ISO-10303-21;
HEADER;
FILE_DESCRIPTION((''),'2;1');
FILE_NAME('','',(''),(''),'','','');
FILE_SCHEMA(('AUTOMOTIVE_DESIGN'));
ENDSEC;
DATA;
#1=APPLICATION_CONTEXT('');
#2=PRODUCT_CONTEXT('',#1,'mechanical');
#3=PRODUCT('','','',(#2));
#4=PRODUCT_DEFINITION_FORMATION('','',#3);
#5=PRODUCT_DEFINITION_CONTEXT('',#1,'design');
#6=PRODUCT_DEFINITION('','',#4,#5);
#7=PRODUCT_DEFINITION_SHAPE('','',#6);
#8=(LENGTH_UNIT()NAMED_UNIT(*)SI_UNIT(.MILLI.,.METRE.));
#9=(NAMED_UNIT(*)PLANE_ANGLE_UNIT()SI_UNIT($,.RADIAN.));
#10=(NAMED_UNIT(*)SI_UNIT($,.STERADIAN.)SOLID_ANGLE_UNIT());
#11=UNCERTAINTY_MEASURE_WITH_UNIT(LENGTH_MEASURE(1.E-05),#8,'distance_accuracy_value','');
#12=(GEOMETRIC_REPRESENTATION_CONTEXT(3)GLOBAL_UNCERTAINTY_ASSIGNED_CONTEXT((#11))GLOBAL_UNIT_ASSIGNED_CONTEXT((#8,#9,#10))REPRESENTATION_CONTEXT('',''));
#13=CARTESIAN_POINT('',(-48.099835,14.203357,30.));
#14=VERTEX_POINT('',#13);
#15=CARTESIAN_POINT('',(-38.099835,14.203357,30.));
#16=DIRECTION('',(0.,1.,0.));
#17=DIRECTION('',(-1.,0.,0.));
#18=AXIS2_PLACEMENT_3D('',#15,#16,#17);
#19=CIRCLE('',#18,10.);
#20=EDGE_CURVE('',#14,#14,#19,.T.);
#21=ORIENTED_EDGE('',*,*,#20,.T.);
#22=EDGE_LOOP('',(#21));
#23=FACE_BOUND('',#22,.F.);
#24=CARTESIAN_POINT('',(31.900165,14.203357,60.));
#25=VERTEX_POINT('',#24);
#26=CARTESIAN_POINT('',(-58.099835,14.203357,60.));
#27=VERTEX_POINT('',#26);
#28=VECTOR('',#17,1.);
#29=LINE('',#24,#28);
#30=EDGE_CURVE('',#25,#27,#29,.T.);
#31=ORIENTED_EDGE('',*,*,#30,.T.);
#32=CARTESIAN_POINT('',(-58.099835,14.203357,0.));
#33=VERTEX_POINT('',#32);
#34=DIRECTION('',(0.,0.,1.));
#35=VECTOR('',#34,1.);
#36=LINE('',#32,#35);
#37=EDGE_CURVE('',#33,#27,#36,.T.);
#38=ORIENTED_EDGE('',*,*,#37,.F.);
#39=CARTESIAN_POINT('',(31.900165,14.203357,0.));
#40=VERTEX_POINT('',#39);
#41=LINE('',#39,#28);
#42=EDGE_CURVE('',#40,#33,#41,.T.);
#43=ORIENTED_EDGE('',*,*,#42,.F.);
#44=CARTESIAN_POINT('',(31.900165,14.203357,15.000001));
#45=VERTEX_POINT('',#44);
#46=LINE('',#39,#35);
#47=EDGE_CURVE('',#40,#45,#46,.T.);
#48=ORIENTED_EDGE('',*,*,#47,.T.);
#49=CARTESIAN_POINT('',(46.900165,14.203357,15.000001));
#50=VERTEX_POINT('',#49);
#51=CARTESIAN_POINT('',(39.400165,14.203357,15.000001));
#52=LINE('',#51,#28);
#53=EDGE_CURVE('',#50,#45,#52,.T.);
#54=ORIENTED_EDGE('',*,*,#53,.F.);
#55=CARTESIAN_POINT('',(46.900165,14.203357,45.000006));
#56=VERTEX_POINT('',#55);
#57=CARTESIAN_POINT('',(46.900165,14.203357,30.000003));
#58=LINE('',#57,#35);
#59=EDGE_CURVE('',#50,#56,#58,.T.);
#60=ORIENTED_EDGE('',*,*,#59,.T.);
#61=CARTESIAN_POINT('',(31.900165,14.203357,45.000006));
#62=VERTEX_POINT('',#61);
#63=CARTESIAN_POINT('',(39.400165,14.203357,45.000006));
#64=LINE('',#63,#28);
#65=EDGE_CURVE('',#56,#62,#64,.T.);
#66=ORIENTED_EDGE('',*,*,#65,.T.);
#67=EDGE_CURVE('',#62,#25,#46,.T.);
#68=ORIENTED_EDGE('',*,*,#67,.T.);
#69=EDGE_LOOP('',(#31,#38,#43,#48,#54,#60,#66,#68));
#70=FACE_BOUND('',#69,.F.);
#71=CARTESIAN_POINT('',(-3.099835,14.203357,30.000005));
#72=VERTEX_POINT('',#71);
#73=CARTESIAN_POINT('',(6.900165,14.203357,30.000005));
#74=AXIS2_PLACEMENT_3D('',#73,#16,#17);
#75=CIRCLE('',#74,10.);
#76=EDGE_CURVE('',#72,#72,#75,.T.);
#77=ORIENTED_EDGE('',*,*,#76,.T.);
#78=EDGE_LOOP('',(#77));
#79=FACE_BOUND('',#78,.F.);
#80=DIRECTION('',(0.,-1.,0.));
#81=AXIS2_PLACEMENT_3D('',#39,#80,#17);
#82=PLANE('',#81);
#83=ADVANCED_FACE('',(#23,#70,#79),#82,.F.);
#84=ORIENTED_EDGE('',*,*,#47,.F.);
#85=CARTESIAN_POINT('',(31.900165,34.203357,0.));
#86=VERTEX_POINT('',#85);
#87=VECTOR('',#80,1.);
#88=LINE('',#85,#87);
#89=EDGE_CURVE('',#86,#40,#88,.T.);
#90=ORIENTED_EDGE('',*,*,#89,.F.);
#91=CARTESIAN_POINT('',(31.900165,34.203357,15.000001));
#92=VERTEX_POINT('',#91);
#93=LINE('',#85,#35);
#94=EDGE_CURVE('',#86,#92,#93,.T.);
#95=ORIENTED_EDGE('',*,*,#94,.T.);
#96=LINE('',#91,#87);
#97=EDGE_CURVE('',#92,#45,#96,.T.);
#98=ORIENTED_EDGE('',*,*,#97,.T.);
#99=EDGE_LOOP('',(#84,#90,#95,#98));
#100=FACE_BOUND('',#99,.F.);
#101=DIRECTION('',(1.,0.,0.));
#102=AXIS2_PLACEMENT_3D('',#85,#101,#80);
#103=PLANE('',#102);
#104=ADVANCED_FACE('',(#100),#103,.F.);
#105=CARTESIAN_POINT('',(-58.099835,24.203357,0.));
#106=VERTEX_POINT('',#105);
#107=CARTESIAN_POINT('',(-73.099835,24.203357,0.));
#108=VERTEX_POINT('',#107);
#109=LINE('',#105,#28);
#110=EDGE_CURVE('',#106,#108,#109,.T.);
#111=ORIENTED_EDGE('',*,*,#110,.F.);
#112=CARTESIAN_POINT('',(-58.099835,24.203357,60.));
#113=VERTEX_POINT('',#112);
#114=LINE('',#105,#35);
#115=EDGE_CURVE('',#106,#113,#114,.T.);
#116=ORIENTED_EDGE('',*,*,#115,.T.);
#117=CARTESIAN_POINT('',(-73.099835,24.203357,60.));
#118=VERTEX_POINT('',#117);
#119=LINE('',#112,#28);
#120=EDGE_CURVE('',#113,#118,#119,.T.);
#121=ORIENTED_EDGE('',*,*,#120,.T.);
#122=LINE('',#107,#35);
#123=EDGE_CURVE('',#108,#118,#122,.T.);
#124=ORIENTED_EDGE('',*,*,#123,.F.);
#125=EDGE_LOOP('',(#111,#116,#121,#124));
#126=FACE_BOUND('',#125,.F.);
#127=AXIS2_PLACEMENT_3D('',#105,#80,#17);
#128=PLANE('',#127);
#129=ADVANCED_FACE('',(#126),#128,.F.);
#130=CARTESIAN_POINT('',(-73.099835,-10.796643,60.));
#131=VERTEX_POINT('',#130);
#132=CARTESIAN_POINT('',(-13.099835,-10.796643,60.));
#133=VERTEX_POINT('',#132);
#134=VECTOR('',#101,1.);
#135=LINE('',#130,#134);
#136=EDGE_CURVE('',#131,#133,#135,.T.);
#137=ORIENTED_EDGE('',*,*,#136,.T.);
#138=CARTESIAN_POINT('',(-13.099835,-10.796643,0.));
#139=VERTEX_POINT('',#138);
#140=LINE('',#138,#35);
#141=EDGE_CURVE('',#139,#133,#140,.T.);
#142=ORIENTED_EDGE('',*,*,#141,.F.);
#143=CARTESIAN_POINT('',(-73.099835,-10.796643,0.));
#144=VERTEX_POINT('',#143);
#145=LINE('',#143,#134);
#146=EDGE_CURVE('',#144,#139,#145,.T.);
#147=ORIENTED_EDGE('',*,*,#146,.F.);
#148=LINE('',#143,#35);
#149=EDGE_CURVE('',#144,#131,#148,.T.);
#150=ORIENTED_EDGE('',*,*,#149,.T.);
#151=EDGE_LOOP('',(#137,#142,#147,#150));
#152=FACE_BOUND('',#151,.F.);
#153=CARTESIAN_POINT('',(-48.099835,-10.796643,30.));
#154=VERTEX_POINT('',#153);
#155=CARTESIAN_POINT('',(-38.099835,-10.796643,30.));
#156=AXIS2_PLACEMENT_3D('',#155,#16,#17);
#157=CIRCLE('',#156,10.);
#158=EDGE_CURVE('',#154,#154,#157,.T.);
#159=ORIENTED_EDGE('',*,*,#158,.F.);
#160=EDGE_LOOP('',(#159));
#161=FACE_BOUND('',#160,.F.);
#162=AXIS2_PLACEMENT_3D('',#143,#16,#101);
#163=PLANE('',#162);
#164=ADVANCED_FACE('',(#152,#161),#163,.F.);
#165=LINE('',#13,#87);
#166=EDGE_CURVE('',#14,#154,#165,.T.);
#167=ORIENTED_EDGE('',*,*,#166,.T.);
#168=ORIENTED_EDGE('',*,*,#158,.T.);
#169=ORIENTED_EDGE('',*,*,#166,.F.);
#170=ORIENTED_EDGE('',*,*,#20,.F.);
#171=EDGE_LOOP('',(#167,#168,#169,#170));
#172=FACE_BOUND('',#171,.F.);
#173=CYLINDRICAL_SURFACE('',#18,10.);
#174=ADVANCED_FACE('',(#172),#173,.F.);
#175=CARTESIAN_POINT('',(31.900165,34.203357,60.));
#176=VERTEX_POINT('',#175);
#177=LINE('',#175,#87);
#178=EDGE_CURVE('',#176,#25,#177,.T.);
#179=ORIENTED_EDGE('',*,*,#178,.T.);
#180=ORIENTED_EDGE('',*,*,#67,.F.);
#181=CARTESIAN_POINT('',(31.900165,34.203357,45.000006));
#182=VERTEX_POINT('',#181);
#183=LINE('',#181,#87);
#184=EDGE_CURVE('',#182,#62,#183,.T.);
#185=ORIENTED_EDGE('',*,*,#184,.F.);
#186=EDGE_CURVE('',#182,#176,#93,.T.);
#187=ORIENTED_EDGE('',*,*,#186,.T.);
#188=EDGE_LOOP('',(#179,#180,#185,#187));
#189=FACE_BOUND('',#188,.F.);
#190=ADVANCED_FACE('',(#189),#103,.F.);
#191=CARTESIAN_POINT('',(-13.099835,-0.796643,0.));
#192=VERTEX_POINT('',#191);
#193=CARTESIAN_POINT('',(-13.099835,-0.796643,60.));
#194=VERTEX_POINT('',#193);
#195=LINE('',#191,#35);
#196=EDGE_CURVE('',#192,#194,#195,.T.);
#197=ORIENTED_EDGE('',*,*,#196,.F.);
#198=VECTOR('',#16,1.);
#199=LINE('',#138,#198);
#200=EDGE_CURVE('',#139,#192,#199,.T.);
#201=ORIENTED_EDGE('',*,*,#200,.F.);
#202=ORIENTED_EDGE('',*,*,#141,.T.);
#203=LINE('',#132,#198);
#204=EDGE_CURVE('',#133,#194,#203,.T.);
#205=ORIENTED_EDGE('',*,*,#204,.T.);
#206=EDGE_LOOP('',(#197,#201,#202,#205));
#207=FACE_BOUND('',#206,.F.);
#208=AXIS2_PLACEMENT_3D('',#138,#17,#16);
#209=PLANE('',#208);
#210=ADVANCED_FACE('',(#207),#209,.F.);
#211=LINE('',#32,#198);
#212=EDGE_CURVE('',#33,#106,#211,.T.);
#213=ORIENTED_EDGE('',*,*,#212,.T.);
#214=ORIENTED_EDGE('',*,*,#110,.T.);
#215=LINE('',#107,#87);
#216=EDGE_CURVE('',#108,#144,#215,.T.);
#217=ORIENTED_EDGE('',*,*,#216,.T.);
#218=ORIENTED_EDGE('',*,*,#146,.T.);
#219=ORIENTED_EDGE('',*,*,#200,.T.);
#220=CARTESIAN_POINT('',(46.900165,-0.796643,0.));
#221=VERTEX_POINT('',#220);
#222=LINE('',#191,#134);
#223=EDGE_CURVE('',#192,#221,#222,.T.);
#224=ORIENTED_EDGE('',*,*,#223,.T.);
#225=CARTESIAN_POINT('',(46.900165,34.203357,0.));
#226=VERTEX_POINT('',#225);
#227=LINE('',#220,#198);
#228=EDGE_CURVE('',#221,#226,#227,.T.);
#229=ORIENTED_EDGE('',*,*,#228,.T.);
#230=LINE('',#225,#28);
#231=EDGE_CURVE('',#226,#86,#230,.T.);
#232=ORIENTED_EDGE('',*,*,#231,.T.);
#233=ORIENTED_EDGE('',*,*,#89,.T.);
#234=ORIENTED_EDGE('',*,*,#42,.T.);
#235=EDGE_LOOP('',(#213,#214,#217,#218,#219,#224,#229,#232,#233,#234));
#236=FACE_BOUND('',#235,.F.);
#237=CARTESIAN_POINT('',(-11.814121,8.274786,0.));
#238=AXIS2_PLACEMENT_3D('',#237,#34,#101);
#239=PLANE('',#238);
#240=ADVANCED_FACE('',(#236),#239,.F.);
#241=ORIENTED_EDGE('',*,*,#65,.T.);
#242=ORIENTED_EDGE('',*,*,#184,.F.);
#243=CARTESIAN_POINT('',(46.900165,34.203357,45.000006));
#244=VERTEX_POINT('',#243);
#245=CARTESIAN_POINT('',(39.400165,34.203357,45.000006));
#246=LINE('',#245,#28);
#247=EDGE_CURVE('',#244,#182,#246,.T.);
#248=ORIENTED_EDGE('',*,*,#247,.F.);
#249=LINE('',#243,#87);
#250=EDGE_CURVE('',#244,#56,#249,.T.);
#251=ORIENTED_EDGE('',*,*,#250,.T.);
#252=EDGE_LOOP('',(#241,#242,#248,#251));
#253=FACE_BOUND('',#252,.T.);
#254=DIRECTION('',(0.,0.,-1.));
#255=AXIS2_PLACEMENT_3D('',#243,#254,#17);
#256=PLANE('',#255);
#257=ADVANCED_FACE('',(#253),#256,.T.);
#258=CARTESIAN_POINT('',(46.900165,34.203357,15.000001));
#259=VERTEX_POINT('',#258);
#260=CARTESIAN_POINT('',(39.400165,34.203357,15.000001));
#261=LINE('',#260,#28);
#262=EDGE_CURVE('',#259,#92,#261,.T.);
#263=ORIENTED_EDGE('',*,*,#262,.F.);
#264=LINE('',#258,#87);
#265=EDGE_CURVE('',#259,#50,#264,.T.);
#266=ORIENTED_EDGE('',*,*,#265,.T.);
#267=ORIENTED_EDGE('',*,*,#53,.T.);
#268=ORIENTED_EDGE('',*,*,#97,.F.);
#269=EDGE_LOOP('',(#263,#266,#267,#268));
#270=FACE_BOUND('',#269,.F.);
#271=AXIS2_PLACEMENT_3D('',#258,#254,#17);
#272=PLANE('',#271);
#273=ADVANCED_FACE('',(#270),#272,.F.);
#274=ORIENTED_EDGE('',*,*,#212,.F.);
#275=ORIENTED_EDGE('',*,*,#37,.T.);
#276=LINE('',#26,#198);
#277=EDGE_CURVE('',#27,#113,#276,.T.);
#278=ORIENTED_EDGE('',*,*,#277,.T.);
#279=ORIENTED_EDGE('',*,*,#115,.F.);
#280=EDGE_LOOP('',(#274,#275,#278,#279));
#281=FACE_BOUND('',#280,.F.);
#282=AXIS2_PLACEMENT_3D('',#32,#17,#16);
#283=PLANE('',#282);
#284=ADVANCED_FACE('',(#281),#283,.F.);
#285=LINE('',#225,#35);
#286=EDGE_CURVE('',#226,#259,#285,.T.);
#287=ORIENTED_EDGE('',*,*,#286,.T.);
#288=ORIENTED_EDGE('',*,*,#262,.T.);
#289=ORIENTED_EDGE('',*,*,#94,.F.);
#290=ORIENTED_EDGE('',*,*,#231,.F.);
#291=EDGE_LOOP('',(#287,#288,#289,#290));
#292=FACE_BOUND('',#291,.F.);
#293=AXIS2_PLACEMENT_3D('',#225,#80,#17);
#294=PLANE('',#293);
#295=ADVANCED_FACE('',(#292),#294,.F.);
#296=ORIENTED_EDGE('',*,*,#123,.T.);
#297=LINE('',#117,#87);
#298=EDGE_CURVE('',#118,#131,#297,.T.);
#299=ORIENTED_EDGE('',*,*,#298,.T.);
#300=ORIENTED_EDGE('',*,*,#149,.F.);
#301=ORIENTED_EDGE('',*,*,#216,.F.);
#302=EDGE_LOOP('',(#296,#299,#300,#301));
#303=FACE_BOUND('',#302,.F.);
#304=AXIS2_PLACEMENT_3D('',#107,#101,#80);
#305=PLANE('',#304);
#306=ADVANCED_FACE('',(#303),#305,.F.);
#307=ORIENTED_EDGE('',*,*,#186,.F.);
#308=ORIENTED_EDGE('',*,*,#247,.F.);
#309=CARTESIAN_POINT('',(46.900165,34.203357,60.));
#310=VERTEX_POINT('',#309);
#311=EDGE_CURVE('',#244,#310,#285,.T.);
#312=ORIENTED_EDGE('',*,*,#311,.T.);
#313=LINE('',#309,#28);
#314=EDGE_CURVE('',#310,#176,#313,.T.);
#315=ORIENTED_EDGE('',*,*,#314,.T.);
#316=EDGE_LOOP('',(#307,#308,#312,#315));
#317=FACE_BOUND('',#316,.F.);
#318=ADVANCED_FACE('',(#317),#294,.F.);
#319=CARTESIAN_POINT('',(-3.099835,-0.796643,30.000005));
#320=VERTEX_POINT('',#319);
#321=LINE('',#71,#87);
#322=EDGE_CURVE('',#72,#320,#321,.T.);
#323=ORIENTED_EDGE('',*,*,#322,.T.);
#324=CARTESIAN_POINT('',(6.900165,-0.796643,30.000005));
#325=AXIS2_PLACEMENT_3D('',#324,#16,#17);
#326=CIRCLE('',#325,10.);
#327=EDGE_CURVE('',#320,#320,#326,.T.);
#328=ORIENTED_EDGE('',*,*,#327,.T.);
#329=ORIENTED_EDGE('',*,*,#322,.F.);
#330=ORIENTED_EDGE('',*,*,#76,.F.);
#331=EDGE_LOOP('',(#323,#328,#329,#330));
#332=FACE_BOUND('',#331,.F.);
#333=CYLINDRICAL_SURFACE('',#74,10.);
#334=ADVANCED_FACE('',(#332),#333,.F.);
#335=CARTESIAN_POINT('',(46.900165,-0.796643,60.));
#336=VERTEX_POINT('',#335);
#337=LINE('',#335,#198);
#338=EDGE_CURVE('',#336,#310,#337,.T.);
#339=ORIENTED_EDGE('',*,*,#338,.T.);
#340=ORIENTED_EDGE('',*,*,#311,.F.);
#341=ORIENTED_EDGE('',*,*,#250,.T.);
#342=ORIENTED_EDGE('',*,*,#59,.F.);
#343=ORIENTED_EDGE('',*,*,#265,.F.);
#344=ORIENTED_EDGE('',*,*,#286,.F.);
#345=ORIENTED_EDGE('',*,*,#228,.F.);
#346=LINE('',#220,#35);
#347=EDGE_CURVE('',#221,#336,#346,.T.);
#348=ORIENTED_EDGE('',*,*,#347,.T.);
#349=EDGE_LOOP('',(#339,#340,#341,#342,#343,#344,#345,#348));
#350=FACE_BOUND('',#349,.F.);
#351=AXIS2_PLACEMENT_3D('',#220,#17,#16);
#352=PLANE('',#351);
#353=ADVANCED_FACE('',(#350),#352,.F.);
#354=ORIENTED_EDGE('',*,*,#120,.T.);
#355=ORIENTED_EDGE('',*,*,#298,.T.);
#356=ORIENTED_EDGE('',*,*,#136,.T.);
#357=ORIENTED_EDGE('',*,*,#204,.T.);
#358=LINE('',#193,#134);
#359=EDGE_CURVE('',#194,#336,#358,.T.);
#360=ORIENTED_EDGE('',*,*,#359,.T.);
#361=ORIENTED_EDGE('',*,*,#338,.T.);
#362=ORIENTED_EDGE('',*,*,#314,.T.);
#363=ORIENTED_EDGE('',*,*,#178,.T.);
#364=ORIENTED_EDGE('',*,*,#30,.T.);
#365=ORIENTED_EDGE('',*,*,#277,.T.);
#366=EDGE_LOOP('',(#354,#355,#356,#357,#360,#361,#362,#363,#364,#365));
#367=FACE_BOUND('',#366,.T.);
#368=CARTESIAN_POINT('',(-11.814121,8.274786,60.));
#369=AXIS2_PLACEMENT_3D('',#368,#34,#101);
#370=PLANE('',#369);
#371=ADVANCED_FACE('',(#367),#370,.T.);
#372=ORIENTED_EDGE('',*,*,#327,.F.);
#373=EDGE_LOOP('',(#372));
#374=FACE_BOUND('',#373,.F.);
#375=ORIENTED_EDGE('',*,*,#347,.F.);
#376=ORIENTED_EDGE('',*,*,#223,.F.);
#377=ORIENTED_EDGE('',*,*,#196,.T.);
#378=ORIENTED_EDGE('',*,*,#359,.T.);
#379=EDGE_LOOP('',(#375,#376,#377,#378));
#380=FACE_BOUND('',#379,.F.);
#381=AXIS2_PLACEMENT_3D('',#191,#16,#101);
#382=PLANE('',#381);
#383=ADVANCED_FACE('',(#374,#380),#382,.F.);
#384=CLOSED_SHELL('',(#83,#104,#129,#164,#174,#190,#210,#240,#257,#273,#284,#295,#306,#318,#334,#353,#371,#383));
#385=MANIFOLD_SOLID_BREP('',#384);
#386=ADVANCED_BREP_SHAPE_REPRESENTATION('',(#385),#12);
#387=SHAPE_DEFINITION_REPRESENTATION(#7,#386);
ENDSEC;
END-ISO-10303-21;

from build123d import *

# Parameters (mm, degrees)
F1_DEPTH = 60
F2_W     = 15
F2_H     = 30.000005
F3_DEPTH = 20
F4_R     = 10
F5_DEPTH = 47.6


with BuildPart() as f1:
    # F0 (on Top) → F1 (new body)
    with BuildSketch(Plane.XY):
        Polygon((-73.099835, 24.203357), (-73.099835, -10.796643), (-13.099835, -10.796643), (-13.099835, -0.796643), (46.900165, -0.796643), (46.900165, 34.203357), (31.900165, 34.203357), (31.900165, 14.203357), (-58.099835, 14.203357), (-58.099835, 24.203357), align=None)
    extrude(amount=F1_DEPTH)

    # F2 (on face) → F3 (cut)
    with BuildSketch(Plane(origin=(0, 34.203357, 0), x_dir=(-1, 0, 0), z_dir=(0, 1, 0))):
        with Locations((-39.400165, 30.000003)):
            Rectangle(F2_W, F2_H)
    extrude(amount=-F3_DEPTH, mode=Mode.SUBTRACT)

    # F4 (on face) → F5 (cut)
    with BuildSketch(Plane(origin=(0, 14.203357, 0), x_dir=(-1, 0, 0), z_dir=(0, 1, 0))):
        with Locations((-6.900165, 30.000005)):
            Circle(F4_R)
        with Locations((38.099835, 30)):
            Circle(F4_R)
    extrude(amount=-F5_DEPTH, mode=Mode.SUBTRACT)


solid = f1.part
